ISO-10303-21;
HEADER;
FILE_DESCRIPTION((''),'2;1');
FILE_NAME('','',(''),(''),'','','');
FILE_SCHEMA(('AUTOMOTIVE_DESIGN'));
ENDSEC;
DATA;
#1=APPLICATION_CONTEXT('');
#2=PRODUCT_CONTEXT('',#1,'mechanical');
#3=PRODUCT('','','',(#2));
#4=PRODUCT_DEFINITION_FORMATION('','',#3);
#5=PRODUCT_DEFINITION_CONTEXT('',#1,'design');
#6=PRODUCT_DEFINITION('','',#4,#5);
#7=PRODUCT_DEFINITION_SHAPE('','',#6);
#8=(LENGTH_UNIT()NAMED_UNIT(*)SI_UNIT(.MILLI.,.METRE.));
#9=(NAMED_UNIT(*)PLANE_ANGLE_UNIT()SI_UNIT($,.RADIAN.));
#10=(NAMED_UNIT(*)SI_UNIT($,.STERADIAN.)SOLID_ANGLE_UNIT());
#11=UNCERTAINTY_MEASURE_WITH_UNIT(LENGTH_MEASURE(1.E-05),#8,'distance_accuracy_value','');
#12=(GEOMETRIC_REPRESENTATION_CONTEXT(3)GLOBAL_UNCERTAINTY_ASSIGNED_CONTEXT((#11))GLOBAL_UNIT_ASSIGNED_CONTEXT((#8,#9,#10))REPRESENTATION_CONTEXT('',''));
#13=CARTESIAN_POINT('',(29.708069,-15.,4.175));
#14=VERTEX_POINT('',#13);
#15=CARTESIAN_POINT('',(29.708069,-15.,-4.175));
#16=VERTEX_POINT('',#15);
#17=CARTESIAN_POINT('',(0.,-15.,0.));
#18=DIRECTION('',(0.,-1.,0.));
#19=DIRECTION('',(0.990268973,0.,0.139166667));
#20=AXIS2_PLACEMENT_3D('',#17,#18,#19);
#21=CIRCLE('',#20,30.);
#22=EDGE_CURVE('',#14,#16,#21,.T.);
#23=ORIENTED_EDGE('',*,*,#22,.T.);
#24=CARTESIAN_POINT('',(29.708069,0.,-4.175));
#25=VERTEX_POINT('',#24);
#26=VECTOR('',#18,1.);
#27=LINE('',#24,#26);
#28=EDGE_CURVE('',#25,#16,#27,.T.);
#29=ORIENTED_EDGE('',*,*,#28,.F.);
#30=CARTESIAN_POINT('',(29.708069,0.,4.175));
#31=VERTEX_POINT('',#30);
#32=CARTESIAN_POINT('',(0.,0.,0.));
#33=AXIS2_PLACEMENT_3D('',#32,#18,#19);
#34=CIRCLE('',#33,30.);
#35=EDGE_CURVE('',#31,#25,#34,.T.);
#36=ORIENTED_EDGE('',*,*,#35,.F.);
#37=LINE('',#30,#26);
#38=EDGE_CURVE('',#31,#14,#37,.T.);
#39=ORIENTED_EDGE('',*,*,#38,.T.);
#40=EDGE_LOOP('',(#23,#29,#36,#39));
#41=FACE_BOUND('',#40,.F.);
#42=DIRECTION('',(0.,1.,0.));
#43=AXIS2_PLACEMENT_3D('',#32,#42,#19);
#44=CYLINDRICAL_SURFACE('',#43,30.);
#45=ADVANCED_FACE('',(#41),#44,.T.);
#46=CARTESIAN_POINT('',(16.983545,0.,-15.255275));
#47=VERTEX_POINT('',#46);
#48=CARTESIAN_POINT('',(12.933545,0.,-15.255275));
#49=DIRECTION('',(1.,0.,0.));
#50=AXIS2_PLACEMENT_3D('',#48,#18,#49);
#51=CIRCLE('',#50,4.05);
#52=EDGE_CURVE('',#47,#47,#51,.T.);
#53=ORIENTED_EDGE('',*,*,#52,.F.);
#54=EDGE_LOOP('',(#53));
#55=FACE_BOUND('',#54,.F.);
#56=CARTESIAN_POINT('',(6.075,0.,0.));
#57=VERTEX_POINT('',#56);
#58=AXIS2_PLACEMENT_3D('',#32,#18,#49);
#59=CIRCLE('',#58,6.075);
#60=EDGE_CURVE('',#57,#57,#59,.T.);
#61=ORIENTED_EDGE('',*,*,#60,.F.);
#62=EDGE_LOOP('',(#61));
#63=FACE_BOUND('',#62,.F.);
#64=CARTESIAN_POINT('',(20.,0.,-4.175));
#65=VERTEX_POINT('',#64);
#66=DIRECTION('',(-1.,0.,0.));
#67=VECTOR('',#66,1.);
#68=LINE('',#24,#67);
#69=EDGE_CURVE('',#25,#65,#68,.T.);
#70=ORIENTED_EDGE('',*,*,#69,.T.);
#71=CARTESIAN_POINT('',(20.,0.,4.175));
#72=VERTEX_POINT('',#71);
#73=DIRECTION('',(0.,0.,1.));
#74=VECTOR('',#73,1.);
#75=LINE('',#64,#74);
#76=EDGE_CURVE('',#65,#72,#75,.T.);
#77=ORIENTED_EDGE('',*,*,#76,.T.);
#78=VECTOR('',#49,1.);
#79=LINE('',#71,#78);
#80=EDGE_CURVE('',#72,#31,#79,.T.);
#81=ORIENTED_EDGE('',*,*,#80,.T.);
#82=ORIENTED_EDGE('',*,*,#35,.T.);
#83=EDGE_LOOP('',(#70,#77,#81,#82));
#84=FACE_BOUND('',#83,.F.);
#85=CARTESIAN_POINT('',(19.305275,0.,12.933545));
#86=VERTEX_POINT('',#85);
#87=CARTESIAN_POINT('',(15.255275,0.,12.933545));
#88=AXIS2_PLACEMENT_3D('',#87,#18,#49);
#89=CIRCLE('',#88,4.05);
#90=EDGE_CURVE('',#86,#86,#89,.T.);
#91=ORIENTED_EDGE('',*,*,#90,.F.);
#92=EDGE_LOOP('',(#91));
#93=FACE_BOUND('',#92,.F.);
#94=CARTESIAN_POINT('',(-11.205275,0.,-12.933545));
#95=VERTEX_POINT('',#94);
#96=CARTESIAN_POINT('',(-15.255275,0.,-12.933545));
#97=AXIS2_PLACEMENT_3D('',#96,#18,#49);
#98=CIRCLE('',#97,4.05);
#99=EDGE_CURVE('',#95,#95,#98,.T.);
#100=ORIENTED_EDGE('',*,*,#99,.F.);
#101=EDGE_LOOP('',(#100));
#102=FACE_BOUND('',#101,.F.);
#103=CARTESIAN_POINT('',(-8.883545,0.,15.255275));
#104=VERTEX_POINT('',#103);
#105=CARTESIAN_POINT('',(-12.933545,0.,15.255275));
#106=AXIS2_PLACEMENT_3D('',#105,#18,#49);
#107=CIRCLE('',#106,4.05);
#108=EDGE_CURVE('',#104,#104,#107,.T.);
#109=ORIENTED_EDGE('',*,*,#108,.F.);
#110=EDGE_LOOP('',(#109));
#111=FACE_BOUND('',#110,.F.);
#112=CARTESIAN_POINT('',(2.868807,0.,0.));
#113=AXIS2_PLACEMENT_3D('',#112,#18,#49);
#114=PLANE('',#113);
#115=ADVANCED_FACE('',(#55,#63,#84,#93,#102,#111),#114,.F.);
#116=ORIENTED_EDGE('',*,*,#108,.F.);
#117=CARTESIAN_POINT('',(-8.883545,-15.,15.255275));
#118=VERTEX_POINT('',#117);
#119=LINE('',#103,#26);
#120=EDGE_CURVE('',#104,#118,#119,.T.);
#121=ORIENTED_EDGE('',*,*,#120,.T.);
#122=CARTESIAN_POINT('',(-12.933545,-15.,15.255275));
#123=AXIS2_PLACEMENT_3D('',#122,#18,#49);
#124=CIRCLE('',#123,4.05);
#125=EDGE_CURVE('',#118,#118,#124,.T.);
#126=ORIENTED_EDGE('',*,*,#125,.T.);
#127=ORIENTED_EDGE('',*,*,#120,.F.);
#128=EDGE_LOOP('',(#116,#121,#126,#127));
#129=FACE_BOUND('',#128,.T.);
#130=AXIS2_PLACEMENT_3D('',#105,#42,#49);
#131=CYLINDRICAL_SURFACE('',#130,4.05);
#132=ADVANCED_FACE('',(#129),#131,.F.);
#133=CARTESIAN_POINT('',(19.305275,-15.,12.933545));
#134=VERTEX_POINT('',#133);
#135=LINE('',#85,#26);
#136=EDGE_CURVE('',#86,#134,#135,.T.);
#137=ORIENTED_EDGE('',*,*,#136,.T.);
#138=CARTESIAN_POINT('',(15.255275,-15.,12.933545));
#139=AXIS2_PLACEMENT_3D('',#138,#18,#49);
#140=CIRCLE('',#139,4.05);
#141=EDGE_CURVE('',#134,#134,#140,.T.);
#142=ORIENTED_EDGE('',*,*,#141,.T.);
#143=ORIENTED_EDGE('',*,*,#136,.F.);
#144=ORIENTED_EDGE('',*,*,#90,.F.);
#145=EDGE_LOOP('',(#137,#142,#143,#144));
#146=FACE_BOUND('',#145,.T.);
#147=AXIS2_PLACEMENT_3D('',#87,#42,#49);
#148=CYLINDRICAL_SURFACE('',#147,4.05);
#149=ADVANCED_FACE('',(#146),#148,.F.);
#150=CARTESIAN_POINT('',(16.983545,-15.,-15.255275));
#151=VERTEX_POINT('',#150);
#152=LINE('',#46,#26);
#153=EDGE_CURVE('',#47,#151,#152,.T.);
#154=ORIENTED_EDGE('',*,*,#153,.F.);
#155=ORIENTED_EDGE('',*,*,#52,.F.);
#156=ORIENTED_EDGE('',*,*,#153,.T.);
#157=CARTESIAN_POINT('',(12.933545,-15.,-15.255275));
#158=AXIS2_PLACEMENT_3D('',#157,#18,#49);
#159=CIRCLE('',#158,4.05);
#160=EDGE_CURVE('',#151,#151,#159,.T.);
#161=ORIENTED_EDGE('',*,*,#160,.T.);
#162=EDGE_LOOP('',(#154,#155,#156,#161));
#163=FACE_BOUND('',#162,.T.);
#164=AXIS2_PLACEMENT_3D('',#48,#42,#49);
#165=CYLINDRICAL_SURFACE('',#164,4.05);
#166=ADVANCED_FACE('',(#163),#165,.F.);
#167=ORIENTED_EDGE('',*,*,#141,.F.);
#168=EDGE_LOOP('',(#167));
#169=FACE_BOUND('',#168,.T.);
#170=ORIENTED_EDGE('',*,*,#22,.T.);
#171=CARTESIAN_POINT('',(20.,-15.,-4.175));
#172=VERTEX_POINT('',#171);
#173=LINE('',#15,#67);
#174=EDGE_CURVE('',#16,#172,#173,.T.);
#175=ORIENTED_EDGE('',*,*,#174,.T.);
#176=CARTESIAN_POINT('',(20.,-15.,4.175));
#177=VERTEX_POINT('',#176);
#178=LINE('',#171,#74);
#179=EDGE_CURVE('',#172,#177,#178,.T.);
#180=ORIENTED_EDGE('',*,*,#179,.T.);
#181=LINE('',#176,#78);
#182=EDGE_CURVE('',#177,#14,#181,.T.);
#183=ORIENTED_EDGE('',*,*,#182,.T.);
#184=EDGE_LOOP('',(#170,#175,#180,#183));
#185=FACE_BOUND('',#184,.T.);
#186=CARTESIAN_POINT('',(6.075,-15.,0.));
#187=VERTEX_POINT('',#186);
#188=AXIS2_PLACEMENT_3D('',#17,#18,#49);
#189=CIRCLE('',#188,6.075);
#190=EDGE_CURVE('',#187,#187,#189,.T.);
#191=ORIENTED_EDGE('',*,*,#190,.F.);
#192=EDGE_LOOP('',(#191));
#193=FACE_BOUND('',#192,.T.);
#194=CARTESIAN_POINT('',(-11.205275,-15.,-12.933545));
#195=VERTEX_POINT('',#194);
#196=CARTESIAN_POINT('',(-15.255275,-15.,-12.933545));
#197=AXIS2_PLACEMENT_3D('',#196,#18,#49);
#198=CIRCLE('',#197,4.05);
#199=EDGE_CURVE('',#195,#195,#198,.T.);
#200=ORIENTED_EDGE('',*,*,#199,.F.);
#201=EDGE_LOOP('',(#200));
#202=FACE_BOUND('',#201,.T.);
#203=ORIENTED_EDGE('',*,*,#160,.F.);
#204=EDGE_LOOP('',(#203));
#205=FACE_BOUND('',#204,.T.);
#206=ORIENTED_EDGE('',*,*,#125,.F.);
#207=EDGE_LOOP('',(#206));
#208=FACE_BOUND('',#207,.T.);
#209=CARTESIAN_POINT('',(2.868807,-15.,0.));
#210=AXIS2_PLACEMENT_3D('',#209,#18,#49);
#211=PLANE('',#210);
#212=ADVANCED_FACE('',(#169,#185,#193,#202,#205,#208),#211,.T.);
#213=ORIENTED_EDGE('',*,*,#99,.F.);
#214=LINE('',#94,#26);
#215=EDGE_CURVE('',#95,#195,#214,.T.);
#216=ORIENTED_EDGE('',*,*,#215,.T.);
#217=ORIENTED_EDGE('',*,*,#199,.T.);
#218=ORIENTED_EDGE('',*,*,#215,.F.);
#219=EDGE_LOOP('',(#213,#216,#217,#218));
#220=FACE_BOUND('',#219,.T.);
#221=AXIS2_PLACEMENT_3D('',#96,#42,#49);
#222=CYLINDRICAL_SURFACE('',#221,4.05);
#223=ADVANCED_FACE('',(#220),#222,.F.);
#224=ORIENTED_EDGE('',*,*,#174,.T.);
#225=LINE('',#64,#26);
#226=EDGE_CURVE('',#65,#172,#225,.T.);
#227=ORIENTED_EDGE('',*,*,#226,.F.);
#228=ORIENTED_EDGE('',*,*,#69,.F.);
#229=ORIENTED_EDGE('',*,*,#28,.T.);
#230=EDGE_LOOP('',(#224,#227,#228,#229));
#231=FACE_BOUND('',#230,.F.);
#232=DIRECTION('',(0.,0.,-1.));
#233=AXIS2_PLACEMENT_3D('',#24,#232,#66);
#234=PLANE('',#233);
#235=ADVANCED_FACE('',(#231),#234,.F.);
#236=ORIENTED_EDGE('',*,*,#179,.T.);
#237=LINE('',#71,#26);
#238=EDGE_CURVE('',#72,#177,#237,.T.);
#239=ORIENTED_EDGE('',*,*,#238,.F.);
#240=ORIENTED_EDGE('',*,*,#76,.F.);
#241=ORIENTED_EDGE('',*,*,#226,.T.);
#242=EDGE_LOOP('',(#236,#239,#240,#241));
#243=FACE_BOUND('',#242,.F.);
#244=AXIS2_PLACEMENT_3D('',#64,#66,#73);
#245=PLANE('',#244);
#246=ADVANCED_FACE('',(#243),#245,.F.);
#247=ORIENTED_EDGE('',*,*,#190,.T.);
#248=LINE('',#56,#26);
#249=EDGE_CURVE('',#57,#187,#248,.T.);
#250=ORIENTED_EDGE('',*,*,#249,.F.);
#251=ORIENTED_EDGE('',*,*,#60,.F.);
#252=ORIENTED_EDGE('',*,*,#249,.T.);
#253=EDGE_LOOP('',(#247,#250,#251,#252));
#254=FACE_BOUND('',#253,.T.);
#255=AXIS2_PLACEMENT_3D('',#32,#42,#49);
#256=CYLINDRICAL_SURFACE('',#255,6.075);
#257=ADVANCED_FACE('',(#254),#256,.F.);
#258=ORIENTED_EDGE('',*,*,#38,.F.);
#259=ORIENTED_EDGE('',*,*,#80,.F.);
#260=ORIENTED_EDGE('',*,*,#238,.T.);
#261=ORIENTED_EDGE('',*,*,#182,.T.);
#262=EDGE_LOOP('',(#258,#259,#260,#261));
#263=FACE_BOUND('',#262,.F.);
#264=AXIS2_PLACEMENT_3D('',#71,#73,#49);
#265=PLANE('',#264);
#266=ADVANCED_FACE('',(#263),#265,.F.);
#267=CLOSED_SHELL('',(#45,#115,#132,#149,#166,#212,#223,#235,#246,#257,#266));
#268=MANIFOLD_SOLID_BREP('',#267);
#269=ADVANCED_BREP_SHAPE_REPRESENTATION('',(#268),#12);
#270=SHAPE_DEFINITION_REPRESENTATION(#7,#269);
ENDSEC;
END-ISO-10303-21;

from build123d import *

# Parameters (mm, degrees)
F0_R     = 4.05
F0_R_2   = 6.075
F1_DEPTH = 15


with BuildPart() as f1:
    # F0 (on Front) → F1 (new body)
    with BuildSketch(Plane.XZ):
        with BuildLine():
            Line((20, 4.175), (29.708069, 4.175))
            ThreePointArc((29.708069, 4.175), (-30, 0), (29.708069, -4.175))
            Line((29.708069, -4.175), (20, -4.175))
            Line((20, -4.175), (20, 4.175))
        make_face()
        with Locations((-15.255275, -12.933545)):
            Circle(F0_R, mode=Mode.SUBTRACT)
        with Locations((12.933545, -15.255275)):
            Circle(F0_R, mode=Mode.SUBTRACT)
        with Locations((-12.933545, 15.255275)):
            Circle(F0_R, mode=Mode.SUBTRACT)
        Circle(F0_R_2, mode=Mode.SUBTRACT)
        with Locations((15.255275, 12.933545)):
            Circle(F0_R, mode=Mode.SUBTRACT)
    extrude(amount=F1_DEPTH)


solid = f1.part
